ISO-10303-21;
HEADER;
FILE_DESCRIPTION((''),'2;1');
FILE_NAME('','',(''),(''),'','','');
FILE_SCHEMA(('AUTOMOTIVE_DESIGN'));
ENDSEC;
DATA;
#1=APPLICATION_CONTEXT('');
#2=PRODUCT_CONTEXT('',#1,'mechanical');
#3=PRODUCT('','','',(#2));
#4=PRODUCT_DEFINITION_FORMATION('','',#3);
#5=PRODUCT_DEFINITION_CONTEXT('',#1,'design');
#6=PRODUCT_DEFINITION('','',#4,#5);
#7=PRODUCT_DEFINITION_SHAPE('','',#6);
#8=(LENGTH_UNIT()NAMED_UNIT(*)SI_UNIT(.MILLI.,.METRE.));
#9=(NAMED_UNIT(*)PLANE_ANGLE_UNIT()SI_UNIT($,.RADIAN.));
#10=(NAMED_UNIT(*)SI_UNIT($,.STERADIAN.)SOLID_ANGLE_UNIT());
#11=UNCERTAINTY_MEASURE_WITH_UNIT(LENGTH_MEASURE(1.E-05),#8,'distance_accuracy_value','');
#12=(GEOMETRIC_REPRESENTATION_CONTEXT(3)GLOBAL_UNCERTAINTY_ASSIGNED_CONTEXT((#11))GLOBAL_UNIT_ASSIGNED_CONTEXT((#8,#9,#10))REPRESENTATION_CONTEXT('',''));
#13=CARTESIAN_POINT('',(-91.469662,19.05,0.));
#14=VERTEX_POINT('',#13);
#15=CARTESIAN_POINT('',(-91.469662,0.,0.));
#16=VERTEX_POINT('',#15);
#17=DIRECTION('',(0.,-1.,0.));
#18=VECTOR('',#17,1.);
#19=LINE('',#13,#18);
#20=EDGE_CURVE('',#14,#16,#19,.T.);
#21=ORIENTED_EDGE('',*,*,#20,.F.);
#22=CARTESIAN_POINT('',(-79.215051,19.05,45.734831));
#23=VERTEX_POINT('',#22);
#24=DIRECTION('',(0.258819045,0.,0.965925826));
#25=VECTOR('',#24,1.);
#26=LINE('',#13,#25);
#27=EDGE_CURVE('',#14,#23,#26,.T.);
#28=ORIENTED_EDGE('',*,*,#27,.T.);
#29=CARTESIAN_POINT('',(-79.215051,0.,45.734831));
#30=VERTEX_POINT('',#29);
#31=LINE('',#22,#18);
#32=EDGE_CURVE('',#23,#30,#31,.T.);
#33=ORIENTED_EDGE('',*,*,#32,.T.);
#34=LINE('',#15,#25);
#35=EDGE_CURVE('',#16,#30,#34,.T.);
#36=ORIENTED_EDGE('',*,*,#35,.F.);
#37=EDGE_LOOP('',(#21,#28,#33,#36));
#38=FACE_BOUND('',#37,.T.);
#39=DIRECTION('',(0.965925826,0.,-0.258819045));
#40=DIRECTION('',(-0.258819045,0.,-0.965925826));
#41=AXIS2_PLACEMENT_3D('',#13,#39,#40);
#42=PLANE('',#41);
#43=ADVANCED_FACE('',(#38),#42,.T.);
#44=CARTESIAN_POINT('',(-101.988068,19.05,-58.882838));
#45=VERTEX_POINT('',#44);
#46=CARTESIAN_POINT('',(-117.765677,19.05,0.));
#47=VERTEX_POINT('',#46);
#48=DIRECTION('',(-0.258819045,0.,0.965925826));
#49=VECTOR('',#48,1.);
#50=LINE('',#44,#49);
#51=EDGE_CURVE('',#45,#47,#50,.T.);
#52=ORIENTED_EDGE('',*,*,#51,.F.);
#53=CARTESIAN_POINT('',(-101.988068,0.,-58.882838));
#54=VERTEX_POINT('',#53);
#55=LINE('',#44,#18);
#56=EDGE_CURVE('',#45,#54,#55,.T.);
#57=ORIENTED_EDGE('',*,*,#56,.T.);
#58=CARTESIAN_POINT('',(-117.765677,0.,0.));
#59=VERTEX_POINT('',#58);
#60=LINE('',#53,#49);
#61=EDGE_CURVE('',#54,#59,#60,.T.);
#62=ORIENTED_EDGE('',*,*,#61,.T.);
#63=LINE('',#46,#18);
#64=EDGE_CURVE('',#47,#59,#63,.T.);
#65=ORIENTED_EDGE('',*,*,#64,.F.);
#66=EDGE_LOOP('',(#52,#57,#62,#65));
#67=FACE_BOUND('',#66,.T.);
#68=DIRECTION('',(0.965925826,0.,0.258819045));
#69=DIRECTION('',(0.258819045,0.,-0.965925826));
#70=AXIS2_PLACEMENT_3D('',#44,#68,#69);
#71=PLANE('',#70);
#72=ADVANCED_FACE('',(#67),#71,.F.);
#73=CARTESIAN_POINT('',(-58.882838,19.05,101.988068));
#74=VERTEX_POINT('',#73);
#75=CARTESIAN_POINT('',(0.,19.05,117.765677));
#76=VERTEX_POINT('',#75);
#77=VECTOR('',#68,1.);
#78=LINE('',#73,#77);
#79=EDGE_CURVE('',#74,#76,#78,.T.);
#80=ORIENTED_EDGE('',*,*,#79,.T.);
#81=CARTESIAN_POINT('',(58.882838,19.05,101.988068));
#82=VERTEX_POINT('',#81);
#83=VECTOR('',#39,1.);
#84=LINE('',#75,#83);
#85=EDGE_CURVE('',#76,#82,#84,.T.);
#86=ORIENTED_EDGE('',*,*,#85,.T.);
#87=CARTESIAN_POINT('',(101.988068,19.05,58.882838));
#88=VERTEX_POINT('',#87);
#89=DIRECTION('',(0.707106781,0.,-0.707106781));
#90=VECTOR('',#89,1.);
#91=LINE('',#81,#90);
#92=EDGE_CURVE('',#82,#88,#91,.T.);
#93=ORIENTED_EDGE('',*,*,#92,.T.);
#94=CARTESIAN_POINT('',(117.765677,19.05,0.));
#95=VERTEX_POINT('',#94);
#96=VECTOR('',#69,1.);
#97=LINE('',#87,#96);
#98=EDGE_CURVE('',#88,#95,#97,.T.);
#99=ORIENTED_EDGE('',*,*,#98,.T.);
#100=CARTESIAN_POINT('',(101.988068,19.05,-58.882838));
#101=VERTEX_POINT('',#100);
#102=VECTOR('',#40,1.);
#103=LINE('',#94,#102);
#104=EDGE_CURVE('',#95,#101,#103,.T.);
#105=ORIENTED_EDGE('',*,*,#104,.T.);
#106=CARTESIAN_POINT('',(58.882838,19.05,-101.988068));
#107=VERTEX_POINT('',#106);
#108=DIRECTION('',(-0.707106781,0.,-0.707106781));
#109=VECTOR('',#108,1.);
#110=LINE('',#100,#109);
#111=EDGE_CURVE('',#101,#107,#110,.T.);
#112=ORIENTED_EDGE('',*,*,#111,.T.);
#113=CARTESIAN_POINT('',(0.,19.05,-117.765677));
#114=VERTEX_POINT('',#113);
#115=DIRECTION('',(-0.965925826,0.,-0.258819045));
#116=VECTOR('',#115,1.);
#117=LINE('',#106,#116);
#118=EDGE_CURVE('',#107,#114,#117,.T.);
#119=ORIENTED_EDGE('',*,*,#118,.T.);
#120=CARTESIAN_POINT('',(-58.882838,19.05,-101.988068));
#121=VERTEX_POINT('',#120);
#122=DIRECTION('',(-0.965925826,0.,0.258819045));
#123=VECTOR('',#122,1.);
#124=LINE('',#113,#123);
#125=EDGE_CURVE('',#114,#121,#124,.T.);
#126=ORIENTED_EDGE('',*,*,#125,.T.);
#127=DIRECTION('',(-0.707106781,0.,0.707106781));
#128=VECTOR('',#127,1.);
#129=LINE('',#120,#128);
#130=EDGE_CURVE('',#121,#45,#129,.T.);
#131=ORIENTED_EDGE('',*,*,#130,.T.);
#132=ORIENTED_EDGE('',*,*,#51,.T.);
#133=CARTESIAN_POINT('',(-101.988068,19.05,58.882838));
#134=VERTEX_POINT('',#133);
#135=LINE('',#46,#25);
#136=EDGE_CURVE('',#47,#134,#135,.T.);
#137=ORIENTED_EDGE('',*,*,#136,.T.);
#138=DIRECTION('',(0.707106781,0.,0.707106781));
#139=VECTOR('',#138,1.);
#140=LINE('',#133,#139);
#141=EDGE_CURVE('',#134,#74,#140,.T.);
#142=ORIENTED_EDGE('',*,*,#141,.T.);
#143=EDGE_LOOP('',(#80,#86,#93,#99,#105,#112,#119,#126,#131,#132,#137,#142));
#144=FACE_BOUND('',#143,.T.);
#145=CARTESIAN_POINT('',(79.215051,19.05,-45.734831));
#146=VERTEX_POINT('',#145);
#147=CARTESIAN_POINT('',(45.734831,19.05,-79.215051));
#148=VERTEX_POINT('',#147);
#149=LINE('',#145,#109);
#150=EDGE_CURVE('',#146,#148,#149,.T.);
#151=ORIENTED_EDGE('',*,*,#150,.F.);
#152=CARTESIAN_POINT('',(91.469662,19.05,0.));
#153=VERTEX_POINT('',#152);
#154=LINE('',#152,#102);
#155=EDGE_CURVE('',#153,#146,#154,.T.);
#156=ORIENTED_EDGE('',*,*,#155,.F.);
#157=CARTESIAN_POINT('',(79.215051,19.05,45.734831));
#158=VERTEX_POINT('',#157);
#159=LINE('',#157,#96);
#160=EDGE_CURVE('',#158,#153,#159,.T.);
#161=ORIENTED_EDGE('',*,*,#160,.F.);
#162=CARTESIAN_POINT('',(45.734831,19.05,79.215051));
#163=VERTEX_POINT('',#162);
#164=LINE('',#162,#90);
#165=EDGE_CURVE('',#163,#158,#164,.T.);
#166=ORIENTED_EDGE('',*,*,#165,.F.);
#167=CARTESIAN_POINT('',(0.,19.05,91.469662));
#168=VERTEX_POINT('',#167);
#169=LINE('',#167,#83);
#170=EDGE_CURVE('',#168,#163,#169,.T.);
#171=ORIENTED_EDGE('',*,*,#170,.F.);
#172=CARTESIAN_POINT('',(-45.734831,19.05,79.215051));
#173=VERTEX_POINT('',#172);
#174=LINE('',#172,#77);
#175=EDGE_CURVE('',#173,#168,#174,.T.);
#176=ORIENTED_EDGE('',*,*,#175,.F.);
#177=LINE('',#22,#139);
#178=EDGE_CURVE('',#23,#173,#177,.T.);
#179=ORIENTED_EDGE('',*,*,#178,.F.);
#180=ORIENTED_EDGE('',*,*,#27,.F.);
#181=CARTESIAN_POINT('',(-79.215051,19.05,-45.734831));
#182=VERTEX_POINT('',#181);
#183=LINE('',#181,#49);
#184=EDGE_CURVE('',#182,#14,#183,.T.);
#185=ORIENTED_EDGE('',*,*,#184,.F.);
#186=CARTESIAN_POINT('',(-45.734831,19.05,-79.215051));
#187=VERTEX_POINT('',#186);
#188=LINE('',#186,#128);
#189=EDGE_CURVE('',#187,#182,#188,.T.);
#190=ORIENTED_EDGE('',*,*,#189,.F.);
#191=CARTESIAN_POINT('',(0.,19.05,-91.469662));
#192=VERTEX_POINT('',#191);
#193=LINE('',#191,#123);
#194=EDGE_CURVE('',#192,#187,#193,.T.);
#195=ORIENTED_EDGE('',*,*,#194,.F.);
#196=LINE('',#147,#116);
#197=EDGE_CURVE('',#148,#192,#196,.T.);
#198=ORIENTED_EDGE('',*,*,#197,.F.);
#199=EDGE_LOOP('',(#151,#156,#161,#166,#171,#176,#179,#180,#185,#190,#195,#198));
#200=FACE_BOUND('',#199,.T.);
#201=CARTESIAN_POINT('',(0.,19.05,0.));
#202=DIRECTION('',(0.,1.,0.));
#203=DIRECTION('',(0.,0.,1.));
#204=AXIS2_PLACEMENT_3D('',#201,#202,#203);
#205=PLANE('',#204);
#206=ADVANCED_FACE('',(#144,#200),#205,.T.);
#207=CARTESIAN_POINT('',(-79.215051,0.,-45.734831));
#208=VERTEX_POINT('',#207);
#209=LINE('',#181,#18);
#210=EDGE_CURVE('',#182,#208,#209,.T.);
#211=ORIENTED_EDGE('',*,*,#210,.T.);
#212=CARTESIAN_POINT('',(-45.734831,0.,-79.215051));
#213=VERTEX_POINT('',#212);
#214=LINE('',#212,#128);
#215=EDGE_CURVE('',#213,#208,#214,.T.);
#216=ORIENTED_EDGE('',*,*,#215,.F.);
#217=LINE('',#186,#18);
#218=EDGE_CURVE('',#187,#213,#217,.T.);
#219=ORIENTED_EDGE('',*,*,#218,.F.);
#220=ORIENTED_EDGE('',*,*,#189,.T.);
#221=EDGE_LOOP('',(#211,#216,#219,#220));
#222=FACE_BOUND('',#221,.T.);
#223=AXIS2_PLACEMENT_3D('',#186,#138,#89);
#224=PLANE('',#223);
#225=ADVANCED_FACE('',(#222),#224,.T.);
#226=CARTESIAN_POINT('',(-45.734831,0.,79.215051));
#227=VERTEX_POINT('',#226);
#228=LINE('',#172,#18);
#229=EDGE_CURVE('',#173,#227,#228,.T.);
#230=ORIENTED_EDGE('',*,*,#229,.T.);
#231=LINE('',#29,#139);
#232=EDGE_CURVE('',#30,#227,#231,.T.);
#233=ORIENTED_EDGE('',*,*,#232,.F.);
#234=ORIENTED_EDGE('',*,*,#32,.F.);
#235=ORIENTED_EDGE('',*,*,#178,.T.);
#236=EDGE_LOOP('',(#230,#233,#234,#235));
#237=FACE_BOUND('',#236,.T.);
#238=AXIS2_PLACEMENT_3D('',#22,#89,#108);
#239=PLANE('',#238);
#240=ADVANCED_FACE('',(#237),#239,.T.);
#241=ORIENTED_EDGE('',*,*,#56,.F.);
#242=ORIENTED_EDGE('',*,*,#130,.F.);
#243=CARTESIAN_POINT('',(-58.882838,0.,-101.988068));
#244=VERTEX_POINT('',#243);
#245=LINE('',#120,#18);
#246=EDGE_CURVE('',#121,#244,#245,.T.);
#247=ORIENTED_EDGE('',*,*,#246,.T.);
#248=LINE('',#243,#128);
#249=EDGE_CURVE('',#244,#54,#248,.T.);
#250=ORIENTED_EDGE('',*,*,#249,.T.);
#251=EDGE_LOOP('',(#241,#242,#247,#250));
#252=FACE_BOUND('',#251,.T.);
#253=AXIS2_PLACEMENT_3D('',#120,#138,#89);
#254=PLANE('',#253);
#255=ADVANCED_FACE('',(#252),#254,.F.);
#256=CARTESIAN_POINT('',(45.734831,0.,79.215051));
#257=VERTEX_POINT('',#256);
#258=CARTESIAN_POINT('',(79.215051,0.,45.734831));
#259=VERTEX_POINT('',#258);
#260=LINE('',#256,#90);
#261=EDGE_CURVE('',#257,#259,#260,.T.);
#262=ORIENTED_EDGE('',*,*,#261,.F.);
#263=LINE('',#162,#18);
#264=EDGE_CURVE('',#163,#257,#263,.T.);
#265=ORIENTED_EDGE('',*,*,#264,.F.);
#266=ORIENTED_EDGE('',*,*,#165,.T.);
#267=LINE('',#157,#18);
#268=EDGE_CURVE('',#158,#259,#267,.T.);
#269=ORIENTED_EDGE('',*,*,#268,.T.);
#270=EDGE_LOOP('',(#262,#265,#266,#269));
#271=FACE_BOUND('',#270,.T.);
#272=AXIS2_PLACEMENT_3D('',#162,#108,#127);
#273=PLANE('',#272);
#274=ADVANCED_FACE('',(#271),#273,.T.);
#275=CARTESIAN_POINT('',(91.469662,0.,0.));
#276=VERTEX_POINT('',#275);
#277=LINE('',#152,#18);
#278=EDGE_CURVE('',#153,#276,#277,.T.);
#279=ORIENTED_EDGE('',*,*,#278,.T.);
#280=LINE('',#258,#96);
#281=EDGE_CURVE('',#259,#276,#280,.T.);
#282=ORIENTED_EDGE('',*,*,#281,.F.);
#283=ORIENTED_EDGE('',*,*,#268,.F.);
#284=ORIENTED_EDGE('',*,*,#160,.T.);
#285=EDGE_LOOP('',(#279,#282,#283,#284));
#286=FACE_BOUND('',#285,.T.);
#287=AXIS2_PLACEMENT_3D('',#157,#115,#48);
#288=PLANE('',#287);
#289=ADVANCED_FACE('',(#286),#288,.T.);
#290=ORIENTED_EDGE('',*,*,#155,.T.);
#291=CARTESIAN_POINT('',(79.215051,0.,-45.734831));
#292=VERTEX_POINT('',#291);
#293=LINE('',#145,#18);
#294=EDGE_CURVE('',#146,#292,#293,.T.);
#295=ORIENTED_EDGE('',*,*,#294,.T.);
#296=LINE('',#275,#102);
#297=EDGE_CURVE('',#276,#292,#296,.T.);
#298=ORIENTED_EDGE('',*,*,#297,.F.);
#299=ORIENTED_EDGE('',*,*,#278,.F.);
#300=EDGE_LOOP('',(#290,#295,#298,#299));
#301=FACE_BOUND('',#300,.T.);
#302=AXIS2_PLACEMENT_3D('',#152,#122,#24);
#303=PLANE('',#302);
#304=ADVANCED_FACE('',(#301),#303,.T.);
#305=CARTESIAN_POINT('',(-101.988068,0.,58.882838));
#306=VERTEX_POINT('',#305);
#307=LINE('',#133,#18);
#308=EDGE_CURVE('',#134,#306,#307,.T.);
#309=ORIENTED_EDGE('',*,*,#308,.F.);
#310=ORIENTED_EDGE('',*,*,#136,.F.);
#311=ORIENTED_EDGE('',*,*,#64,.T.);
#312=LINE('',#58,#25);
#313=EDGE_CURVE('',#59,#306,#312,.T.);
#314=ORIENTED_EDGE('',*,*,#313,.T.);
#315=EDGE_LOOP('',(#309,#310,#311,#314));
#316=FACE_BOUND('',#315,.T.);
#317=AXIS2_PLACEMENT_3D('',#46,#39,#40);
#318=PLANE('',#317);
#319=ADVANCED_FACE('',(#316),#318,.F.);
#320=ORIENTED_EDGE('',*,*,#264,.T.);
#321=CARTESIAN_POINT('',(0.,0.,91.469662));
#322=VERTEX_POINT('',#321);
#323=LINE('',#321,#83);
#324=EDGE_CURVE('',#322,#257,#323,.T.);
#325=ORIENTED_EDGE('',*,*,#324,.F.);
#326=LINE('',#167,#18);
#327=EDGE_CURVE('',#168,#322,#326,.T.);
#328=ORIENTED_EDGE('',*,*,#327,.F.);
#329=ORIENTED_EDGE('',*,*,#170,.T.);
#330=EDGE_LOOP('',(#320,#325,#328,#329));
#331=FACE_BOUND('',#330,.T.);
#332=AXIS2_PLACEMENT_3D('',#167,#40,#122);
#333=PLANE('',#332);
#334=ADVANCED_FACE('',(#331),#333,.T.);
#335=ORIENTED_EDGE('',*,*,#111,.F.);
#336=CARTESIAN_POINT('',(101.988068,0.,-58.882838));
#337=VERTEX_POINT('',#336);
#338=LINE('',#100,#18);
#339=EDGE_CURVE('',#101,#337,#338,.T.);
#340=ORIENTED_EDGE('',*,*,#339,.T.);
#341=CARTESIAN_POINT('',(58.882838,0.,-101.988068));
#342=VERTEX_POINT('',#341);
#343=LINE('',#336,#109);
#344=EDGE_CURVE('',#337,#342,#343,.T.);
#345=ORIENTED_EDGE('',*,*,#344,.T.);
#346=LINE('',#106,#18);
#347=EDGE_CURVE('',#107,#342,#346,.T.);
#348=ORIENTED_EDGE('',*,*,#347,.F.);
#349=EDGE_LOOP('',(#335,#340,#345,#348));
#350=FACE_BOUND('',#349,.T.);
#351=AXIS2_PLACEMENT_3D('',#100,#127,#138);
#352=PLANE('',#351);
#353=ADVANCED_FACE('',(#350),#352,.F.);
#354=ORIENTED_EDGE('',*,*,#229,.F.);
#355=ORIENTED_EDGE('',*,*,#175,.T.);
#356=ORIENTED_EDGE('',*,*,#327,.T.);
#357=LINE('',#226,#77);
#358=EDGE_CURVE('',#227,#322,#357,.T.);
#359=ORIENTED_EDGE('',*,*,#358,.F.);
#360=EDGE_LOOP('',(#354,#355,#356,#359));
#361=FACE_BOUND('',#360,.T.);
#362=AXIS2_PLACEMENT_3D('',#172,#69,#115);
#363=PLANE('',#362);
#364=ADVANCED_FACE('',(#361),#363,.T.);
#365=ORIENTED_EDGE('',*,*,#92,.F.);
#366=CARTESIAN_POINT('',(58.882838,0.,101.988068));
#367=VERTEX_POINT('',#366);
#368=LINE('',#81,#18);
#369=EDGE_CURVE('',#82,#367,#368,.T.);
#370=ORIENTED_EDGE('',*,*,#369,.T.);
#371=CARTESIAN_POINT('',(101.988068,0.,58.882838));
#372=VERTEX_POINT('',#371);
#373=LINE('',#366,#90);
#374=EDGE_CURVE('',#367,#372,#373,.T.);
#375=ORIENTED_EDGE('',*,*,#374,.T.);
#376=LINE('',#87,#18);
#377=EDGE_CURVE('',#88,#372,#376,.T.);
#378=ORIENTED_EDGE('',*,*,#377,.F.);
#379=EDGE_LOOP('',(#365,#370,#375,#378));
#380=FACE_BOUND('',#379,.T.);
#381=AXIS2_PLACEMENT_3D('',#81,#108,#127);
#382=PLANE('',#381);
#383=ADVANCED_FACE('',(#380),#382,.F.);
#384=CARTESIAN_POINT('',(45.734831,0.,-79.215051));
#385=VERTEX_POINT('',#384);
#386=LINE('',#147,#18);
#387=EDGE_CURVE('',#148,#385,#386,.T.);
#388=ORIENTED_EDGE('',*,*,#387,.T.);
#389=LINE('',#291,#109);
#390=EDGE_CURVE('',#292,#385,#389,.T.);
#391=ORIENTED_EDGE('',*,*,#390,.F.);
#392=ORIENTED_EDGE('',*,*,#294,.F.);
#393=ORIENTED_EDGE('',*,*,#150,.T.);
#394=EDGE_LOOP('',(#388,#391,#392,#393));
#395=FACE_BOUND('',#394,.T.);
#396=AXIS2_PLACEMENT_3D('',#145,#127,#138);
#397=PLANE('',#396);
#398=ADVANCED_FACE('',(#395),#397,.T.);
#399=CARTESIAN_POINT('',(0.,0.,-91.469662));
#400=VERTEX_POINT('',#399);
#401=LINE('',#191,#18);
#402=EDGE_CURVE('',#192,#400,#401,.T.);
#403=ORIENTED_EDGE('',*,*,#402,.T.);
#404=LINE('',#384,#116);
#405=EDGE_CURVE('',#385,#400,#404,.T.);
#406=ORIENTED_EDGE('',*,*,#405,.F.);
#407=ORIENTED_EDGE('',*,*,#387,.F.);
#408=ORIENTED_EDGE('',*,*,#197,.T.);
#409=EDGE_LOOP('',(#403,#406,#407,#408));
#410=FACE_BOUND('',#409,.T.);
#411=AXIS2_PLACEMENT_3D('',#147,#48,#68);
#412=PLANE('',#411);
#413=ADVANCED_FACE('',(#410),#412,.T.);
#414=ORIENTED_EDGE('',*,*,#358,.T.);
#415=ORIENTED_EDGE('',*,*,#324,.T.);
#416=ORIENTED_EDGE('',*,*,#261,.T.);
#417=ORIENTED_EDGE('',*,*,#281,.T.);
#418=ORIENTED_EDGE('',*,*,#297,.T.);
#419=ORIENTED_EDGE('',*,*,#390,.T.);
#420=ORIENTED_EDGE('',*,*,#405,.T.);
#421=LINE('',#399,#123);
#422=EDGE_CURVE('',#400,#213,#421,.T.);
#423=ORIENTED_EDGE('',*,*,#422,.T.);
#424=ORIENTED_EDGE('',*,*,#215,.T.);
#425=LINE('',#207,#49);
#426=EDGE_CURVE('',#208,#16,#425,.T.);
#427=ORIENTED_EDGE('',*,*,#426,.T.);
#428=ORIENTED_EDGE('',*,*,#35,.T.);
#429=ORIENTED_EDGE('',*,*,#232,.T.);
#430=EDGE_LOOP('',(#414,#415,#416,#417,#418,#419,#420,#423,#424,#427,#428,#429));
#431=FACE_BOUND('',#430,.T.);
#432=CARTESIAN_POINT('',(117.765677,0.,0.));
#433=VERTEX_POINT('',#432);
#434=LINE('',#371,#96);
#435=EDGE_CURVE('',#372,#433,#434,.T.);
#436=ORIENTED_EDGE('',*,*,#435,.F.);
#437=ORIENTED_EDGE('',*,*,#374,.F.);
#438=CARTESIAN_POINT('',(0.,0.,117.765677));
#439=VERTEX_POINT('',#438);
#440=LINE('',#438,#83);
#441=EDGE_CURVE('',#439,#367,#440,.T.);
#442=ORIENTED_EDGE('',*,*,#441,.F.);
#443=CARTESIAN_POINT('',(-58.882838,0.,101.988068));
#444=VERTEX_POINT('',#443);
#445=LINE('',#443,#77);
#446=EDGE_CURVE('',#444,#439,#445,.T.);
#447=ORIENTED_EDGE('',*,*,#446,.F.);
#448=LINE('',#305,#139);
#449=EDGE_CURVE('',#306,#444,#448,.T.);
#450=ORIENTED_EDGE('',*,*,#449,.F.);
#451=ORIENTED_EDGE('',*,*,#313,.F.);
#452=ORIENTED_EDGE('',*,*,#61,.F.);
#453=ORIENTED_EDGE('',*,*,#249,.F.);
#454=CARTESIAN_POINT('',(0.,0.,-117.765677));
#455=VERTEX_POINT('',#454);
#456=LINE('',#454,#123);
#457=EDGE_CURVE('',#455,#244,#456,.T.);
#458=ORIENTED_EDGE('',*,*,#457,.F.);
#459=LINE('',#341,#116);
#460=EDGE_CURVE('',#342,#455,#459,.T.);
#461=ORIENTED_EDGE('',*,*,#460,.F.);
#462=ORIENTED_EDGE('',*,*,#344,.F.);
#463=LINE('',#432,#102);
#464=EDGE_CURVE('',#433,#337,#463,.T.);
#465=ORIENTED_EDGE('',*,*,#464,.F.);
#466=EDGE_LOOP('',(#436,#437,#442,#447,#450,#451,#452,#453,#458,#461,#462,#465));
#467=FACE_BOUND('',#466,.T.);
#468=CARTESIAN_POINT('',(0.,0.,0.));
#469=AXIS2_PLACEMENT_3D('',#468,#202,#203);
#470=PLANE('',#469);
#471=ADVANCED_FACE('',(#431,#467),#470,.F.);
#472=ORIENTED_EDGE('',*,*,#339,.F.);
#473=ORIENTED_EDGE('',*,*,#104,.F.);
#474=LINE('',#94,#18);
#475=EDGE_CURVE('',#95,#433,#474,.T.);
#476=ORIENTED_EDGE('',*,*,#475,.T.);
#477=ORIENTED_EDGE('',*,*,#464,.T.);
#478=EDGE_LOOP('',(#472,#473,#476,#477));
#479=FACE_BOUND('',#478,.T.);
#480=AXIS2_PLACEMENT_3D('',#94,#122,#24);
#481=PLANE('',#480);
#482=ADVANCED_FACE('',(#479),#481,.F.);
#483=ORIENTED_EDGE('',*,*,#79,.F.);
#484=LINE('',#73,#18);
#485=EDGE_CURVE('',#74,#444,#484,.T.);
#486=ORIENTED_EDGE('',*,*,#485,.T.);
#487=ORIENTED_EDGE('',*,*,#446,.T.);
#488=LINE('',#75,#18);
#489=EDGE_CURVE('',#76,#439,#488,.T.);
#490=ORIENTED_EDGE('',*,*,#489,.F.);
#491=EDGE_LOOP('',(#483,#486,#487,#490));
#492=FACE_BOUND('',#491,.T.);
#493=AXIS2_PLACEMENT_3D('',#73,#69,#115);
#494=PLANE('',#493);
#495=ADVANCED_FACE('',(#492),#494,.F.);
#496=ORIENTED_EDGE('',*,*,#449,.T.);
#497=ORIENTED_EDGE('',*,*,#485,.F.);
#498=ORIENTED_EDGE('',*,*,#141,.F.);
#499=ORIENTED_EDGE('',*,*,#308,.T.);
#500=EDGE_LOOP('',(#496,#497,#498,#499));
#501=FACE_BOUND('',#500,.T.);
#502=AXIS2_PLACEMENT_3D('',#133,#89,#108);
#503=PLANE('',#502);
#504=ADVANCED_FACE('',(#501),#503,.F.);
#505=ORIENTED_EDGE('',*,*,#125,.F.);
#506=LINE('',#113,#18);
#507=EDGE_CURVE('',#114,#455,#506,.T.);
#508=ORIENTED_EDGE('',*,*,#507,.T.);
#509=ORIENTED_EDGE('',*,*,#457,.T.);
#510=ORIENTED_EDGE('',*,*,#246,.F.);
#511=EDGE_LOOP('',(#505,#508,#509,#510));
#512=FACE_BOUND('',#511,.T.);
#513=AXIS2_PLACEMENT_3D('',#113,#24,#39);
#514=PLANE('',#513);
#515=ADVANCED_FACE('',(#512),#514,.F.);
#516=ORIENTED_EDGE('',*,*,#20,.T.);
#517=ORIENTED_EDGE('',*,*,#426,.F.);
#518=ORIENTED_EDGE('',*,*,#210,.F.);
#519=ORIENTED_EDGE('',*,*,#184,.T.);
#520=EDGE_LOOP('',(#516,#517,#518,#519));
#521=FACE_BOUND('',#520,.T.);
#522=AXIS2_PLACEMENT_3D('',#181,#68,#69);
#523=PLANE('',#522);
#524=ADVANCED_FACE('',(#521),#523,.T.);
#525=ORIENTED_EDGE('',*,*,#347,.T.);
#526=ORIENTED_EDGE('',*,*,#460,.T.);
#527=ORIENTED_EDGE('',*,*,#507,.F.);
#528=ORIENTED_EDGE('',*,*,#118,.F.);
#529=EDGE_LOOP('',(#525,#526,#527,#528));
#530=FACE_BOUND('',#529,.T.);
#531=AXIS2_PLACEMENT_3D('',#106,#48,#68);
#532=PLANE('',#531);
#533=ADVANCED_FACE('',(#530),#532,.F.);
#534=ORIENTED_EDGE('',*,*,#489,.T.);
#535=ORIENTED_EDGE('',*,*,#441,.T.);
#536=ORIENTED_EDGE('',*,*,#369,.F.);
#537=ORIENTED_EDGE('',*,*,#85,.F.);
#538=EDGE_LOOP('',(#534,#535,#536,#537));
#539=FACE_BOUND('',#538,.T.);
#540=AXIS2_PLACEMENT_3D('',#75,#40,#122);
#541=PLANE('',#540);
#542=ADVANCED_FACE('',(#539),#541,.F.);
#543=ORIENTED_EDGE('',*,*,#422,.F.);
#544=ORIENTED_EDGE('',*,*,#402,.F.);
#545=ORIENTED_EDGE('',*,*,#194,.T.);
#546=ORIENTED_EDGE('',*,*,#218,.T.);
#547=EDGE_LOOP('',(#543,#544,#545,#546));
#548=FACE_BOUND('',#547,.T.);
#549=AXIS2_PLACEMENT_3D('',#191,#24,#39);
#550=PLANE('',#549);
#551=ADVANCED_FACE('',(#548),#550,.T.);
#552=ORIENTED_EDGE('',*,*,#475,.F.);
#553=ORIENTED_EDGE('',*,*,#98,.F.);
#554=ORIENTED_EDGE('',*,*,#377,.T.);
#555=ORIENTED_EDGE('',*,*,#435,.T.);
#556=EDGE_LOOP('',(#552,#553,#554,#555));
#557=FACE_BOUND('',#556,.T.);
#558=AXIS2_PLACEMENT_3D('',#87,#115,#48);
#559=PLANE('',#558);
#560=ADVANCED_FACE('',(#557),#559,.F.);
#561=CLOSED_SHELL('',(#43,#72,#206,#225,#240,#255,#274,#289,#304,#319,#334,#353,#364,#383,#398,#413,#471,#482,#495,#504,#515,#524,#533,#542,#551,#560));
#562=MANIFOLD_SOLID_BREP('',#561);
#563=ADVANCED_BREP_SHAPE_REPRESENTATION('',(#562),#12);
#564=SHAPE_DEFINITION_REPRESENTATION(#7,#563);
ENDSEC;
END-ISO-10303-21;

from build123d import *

# Parameters (mm, degrees)
BOSS_EXTRUDE1_DEPTH = 19.05


with BuildPart() as part:
    # Sketch1 → Boss-Extrude1 (new body)
    with BuildSketch(Plane(origin=(0, 0, 0), x_dir=(1, 0, 0), z_dir=(0, 1, 0))):
        Polygon((117.765676741, 0), (101.988067752, 58.882838371), (58.882838371, 101.988067752), (0, 117.765676741), (-58.882838371, 101.988067752), (-101.988067752, 58.882838371), (-117.765676741, 0), (-101.988067752, -58.882838371), (-58.882838371, -101.988067752), (0, -117.765676741), (58.882838371, -101.988067752), (101.988067752, -58.882838371), align=None)
        Polygon((91.469661759, 0), (79.215050759, 45.734830879), (45.734830879, 79.215050759), (0, 91.469661759), (-45.734830879, 79.215050759), (-79.215050759, 45.734830879), (-91.469661759, 0), (-79.215050759, -45.734830879), (-45.734830879, -79.215050759), (0, -91.469661759), (45.734830879, -79.215050759), (79.215050759, -45.734830879), align=None, mode=Mode.SUBTRACT)
    extrude(amount=BOSS_EXTRUDE1_DEPTH)


solid = part.part
